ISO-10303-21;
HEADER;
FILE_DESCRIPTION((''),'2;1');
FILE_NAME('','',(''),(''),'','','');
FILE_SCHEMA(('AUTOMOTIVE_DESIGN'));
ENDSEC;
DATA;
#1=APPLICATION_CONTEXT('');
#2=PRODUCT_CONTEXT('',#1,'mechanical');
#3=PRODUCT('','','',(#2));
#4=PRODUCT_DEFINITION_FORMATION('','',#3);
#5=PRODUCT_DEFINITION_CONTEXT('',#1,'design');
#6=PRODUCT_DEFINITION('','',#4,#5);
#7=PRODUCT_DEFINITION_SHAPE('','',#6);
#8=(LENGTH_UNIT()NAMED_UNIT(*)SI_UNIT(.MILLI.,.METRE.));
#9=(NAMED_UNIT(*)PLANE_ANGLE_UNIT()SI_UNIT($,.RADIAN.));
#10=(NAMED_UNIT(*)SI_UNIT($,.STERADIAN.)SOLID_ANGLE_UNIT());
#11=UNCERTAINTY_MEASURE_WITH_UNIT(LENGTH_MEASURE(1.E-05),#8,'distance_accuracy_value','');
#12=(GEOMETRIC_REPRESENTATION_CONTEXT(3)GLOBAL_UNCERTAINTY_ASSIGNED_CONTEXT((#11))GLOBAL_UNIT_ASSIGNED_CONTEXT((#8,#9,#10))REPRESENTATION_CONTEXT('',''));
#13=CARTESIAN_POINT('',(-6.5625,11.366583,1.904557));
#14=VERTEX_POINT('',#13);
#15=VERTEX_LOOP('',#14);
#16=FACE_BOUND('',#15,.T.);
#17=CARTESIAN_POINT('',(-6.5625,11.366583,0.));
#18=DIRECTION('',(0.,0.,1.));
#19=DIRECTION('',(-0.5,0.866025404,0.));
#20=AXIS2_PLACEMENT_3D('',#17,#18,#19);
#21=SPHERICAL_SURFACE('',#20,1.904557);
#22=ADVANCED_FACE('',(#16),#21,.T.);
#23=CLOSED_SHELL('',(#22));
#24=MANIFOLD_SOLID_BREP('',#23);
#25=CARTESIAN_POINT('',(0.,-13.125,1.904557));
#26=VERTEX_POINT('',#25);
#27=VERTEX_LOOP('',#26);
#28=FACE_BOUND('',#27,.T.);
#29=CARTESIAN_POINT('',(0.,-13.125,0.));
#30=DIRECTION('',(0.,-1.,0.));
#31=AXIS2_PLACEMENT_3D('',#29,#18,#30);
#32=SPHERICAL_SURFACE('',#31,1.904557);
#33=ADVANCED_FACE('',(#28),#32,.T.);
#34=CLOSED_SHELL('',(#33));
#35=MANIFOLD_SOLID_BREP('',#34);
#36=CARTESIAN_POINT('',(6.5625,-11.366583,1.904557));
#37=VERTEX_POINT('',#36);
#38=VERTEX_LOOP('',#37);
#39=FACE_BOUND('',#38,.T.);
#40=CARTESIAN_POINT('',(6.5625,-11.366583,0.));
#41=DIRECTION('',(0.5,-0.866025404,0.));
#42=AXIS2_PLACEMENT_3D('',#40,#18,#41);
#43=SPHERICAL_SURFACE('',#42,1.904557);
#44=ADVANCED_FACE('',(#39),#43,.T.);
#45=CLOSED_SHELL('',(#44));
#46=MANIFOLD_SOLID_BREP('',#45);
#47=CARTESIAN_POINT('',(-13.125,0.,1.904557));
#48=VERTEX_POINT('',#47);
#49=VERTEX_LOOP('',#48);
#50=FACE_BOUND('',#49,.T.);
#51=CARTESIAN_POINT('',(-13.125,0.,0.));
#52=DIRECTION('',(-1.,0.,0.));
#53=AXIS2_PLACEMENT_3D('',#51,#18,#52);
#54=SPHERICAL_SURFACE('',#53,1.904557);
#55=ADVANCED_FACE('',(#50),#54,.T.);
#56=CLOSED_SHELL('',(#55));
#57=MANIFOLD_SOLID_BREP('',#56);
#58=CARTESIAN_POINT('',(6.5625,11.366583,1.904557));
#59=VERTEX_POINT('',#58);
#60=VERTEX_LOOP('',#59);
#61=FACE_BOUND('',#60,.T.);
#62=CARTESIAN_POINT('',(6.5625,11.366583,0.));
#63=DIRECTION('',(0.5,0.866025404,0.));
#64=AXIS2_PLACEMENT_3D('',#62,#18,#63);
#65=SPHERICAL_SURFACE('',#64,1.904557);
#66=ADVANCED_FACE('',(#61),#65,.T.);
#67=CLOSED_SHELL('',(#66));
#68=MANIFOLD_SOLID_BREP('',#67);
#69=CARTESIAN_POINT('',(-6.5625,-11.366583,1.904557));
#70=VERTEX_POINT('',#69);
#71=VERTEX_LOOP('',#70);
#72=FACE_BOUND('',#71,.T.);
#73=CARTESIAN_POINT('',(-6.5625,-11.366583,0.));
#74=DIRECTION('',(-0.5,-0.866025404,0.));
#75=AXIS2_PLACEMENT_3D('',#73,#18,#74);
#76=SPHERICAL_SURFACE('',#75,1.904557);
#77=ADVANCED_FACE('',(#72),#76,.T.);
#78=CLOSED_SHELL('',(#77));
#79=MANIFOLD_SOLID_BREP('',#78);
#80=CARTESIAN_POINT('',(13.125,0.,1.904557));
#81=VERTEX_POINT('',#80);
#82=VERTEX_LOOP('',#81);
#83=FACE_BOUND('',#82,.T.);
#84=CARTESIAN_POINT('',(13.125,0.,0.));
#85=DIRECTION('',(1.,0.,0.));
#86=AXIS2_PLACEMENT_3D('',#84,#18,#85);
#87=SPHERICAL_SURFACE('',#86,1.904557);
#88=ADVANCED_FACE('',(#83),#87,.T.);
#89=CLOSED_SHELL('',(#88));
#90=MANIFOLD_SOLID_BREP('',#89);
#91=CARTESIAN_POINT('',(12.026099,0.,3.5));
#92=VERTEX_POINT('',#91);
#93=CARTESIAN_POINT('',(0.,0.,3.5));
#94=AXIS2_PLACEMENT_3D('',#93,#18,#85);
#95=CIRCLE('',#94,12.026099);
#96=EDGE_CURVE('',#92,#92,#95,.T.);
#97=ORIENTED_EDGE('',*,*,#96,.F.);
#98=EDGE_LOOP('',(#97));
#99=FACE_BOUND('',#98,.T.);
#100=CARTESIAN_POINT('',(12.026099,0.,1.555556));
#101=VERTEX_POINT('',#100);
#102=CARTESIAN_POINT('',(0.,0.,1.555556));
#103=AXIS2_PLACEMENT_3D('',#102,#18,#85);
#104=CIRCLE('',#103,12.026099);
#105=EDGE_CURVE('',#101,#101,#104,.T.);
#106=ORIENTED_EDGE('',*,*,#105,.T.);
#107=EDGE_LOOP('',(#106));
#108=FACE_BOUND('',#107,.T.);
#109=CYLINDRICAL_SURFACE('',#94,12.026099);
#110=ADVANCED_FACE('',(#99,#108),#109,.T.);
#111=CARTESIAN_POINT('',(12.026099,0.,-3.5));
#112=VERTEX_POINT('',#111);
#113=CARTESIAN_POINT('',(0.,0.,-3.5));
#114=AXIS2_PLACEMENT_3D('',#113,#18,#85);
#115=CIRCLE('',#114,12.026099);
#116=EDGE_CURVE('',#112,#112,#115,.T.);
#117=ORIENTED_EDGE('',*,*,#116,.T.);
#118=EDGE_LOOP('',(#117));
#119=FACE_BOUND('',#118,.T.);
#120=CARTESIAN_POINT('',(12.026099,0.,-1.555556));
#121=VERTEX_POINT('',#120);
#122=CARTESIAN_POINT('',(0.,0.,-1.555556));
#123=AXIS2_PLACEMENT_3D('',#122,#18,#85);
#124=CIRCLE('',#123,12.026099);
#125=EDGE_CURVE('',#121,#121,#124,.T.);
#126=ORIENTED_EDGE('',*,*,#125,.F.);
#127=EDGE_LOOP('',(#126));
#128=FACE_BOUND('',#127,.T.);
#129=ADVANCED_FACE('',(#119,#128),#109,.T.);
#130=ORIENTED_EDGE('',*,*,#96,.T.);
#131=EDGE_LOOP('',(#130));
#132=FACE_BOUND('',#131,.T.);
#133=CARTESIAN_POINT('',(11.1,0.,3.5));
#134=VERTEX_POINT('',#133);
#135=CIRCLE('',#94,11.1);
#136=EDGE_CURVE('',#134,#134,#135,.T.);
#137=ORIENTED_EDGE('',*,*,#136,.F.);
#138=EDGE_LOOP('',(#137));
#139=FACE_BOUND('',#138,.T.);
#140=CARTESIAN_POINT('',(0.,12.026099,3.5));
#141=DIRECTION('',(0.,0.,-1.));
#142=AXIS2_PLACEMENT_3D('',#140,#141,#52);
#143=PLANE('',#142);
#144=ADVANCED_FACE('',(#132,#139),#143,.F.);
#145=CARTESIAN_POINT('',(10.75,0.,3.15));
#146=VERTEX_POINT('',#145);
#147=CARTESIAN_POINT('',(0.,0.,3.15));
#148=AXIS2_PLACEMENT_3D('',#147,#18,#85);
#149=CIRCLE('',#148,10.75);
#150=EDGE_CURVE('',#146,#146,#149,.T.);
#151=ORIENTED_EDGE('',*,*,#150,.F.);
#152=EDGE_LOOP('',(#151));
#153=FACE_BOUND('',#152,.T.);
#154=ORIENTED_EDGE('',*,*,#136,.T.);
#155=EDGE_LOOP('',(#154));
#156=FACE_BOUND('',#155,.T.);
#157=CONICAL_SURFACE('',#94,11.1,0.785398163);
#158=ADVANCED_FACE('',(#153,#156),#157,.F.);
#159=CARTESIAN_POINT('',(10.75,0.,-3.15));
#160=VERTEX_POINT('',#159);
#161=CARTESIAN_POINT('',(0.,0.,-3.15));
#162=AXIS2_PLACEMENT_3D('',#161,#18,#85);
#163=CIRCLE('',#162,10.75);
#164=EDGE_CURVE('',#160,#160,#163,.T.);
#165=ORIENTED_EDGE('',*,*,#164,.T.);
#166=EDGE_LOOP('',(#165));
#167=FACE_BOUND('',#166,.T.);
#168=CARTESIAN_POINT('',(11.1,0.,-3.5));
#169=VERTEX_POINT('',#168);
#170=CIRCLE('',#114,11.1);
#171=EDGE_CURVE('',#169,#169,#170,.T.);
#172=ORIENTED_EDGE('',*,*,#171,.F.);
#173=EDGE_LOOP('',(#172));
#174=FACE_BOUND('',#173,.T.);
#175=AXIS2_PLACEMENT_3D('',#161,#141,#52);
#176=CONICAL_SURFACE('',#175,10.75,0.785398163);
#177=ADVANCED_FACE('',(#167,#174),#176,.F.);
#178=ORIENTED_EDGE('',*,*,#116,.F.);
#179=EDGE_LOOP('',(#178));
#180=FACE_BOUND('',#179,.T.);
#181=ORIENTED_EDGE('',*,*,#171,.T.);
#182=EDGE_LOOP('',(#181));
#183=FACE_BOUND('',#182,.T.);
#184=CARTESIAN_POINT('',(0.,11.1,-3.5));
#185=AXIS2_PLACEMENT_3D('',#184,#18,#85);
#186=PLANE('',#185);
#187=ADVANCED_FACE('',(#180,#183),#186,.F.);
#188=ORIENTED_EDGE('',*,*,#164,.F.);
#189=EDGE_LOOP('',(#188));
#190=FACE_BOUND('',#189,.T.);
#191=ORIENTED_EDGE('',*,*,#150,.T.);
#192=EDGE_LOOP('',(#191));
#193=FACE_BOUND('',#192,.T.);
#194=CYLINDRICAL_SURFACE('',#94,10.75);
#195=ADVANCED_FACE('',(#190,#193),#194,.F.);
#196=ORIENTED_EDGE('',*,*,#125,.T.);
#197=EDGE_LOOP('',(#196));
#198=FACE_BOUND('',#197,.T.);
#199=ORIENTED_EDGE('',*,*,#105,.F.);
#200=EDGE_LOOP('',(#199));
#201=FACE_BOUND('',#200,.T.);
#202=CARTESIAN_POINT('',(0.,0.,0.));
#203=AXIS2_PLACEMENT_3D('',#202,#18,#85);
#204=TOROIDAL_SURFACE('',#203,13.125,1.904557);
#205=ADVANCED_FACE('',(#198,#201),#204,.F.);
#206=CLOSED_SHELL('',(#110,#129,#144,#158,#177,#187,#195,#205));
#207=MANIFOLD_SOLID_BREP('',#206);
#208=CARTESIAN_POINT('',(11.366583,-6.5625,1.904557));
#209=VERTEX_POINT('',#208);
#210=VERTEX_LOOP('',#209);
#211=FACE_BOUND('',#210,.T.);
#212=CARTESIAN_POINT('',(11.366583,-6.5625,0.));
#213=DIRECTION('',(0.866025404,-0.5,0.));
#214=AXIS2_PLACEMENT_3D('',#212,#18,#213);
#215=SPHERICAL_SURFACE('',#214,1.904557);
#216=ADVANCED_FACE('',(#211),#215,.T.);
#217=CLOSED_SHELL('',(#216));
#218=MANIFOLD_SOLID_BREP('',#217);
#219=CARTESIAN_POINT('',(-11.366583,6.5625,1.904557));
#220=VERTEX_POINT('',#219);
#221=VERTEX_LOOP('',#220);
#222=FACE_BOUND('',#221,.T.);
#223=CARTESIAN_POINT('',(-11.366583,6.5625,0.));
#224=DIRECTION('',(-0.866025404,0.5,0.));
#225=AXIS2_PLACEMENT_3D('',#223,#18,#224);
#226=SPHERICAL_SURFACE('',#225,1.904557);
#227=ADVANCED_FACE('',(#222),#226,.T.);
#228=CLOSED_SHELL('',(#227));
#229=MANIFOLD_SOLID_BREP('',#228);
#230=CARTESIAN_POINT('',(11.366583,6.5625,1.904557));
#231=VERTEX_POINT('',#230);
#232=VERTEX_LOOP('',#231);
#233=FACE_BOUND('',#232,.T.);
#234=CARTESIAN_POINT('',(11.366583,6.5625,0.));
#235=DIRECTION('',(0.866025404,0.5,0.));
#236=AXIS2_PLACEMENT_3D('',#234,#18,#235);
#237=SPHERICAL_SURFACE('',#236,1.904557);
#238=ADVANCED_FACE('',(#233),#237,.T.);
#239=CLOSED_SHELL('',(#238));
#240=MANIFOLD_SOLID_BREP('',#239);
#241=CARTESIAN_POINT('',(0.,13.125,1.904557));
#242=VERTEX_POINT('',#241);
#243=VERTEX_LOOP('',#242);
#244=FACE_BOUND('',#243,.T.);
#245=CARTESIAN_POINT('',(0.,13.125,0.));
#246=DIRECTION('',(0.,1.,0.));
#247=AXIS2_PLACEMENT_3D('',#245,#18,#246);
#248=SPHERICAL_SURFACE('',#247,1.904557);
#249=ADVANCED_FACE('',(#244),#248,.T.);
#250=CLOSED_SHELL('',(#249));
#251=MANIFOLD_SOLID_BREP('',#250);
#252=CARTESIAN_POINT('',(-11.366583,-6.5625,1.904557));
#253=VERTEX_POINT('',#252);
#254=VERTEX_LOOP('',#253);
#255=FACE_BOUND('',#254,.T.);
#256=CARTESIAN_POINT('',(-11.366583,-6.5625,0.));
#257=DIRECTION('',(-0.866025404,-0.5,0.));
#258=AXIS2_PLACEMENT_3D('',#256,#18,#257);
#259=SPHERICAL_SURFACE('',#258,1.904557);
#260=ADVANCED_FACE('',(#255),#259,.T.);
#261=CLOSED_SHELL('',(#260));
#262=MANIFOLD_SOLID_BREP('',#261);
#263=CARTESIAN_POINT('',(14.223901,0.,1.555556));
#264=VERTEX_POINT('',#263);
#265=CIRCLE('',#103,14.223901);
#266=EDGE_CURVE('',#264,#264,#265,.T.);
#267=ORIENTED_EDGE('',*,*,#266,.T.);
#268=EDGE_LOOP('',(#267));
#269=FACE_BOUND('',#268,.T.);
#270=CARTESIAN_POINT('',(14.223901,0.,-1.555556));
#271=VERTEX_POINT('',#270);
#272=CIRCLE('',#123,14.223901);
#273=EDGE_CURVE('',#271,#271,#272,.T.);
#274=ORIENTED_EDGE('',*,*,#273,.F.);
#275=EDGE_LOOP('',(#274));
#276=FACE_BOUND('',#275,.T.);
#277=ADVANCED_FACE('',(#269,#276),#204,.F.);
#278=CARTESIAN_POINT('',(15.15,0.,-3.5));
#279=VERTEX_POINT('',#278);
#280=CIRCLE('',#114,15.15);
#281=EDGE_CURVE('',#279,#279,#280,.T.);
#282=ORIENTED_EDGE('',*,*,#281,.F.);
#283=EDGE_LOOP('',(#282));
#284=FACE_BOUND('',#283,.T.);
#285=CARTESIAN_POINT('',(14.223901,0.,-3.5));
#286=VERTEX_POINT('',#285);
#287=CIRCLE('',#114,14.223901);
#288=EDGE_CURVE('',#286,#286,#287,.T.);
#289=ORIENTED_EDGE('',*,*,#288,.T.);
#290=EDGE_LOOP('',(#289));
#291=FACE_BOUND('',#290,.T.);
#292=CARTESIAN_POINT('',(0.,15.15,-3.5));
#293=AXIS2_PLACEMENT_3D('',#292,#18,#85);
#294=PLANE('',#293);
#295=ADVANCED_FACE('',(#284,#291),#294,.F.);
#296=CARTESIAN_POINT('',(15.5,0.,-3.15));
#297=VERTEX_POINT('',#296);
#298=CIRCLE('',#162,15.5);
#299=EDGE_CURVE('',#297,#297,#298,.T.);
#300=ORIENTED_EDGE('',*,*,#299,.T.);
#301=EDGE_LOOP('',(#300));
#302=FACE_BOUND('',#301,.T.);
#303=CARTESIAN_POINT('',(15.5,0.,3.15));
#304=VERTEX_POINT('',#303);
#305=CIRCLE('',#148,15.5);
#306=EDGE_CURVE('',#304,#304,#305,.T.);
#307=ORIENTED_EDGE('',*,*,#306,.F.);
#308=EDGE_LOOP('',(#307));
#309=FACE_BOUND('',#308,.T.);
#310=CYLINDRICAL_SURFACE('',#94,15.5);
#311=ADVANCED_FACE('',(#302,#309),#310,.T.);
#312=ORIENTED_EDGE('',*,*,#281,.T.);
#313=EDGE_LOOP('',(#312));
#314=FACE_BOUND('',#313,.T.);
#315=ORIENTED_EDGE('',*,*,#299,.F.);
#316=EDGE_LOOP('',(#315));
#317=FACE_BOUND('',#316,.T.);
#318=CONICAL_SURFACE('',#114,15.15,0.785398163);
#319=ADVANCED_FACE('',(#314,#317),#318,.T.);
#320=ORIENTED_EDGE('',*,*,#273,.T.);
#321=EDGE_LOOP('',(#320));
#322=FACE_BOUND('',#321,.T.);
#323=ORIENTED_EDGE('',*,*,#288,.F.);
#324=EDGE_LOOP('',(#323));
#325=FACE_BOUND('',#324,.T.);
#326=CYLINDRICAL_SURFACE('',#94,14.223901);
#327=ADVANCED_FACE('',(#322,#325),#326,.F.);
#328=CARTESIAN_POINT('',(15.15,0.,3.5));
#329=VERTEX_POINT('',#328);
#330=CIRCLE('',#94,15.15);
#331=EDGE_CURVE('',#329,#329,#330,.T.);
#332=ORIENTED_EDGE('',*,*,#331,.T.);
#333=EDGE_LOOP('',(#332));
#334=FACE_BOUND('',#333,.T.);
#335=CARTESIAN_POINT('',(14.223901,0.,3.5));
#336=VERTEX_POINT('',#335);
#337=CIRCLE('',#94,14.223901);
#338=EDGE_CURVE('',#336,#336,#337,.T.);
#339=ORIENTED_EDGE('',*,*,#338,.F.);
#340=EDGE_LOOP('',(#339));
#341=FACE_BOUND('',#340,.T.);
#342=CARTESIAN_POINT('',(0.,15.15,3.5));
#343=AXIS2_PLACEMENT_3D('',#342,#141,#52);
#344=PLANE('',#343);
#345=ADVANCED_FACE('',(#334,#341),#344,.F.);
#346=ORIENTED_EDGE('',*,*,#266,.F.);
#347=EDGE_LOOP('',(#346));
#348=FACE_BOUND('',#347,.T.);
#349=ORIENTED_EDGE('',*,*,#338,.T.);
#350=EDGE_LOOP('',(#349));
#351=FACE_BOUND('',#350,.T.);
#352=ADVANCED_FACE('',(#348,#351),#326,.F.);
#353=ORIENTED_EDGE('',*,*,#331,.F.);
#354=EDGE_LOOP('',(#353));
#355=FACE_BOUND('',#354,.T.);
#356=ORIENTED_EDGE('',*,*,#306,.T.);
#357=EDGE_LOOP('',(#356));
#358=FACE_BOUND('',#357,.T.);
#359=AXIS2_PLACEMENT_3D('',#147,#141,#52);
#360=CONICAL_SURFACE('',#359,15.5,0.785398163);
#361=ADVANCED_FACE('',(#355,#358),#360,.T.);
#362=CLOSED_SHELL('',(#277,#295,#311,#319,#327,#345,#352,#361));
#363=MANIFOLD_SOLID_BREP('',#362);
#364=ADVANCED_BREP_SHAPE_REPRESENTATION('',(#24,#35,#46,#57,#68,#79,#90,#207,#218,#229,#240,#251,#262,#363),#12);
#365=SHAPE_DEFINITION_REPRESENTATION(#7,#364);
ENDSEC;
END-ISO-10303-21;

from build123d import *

# Parameters (mm, degrees)
CIRPATTERN1_COUNT = 12


with BuildPart() as part:
    # Sketch1 → Revolve1 (revolve)
    with BuildSketch(Plane(origin=(0, 0, 0), x_dir=(0, 0, -1), z_dir=(1, 0, 0))):
        with BuildLine():
            Line((3.15, 15.5), (-3.15, 15.5))
            Line((-3.15, 15.5), (-3.5, 15.15))
            Line((-3.5, 15.15), (-3.5, 14.223901099))
            Line((-3.5, 14.223901099), (-1.555555556, 14.223901099))
            ThreePointArc((-1.555555556, 14.223901099), (0, 15.029556828), (1.555555556, 14.223901099))
            Line((1.555555556, 14.223901099), (3.5, 14.223901099))
            Line((3.5, 14.223901099), (3.5, 15.15))
            Line((3.5, 15.15), (3.15, 15.5))
        make_face()
    revolve(axis=Axis((0, 0, 3.5), (0, 0, -1)))


with BuildPart() as body_2:
    # Sketch3 → Revolve3 (revolve)
    with BuildSketch(Plane(origin=(0, 0, 0), x_dir=(0, 0, -1), z_dir=(1, 0, 0))):
        with BuildLine():
            Line((-3.5, 12.026098901), (-1.555555556, 12.026098901))
            ThreePointArc((-1.555555556, 12.026098901), (0, 11.220443172), (1.555555556, 12.026098901))
            Line((1.555555556, 12.026098901), (3.5, 12.026098901))
            Line((3.5, 12.026098901), (3.5, 11.1))
            Line((3.5, 11.1), (3.15, 10.75))
            Line((3.15, 10.75), (-3.15, 10.75))
            Line((-3.15, 10.75), (-3.5, 11.1))
            Line((-3.5, 11.1), (-3.5, 12.026098901))
        make_face()
    revolve(axis=Axis((0, 0, 3.5), (0, 0, -1)))


with BuildPart() as body_3:
    # Sketch4 → Revolve4 (revolve)
    with BuildSketch(Plane(origin=(0, 0, 0), x_dir=(0, 0, -1), z_dir=(1, 0, 0))):
        with BuildLine():
            Line((-1.904556828, 13.125), (1.904556828, 13.125))
            ThreePointArc((1.904556828, 13.125), (0, 15.029556828), (-1.904556828, 13.125))
        make_face()
    revolve(axis=Axis((0, 13.125, 1.904556828), (0, 0, -1)))


with BuildPart() as cirpattern1_1:
    # CirPattern1: pattern copy
    add(body_3.part.rotate(Axis((0, 0, -3.5), (0, 0, 1)), 1 * 360 / CIRPATTERN1_COUNT))


with BuildPart() as cirpattern1_2:
    # CirPattern1: pattern copy
    add(body_3.part.rotate(Axis((0, 0, -3.5), (0, 0, 1)), 2 * 360 / CIRPATTERN1_COUNT))


with BuildPart() as cirpattern1_3:
    # CirPattern1: pattern copy
    add(body_3.part.rotate(Axis((0, 0, -3.5), (0, 0, 1)), 3 * 360 / CIRPATTERN1_COUNT))


with BuildPart() as cirpattern1_4:
    # CirPattern1: pattern copy
    add(body_3.part.rotate(Axis((0, 0, -3.5), (0, 0, 1)), 4 * 360 / CIRPATTERN1_COUNT))


with BuildPart() as cirpattern1_5:
    # CirPattern1: pattern copy
    add(body_3.part.rotate(Axis((0, 0, -3.5), (0, 0, 1)), 5 * 360 / CIRPATTERN1_COUNT))


with BuildPart() as cirpattern1_6:
    # CirPattern1: pattern copy
    add(body_3.part.rotate(Axis((0, 0, -3.5), (0, 0, 1)), 6 * 360 / CIRPATTERN1_COUNT))


with BuildPart() as cirpattern1_7:
    # CirPattern1: pattern copy
    add(body_3.part.rotate(Axis((0, 0, -3.5), (0, 0, 1)), 7 * 360 / CIRPATTERN1_COUNT))


with BuildPart() as cirpattern1_8:
    # CirPattern1: pattern copy
    add(body_3.part.rotate(Axis((0, 0, -3.5), (0, 0, 1)), 8 * 360 / CIRPATTERN1_COUNT))


with BuildPart() as cirpattern1_9:
    # CirPattern1: pattern copy
    add(body_3.part.rotate(Axis((0, 0, -3.5), (0, 0, 1)), 9 * 360 / CIRPATTERN1_COUNT))


with BuildPart() as cirpattern1_10:
    # CirPattern1: pattern copy
    add(body_3.part.rotate(Axis((0, 0, -3.5), (0, 0, 1)), 10 * 360 / CIRPATTERN1_COUNT))


with BuildPart() as cirpattern1_11:
    # CirPattern1: pattern copy
    add(body_3.part.rotate(Axis((0, 0, -3.5), (0, 0, 1)), 11 * 360 / CIRPATTERN1_COUNT))


solid = Compound([part.part, body_2.part, body_3.part, cirpattern1_1.part, cirpattern1_2.part, cirpattern1_3.part, cirpattern1_4.part, cirpattern1_5.part, cirpattern1_6.part, cirpattern1_7.part, cirpattern1_8.part, cirpattern1_9.part, cirpattern1_10.part, cirpattern1_11.part])
